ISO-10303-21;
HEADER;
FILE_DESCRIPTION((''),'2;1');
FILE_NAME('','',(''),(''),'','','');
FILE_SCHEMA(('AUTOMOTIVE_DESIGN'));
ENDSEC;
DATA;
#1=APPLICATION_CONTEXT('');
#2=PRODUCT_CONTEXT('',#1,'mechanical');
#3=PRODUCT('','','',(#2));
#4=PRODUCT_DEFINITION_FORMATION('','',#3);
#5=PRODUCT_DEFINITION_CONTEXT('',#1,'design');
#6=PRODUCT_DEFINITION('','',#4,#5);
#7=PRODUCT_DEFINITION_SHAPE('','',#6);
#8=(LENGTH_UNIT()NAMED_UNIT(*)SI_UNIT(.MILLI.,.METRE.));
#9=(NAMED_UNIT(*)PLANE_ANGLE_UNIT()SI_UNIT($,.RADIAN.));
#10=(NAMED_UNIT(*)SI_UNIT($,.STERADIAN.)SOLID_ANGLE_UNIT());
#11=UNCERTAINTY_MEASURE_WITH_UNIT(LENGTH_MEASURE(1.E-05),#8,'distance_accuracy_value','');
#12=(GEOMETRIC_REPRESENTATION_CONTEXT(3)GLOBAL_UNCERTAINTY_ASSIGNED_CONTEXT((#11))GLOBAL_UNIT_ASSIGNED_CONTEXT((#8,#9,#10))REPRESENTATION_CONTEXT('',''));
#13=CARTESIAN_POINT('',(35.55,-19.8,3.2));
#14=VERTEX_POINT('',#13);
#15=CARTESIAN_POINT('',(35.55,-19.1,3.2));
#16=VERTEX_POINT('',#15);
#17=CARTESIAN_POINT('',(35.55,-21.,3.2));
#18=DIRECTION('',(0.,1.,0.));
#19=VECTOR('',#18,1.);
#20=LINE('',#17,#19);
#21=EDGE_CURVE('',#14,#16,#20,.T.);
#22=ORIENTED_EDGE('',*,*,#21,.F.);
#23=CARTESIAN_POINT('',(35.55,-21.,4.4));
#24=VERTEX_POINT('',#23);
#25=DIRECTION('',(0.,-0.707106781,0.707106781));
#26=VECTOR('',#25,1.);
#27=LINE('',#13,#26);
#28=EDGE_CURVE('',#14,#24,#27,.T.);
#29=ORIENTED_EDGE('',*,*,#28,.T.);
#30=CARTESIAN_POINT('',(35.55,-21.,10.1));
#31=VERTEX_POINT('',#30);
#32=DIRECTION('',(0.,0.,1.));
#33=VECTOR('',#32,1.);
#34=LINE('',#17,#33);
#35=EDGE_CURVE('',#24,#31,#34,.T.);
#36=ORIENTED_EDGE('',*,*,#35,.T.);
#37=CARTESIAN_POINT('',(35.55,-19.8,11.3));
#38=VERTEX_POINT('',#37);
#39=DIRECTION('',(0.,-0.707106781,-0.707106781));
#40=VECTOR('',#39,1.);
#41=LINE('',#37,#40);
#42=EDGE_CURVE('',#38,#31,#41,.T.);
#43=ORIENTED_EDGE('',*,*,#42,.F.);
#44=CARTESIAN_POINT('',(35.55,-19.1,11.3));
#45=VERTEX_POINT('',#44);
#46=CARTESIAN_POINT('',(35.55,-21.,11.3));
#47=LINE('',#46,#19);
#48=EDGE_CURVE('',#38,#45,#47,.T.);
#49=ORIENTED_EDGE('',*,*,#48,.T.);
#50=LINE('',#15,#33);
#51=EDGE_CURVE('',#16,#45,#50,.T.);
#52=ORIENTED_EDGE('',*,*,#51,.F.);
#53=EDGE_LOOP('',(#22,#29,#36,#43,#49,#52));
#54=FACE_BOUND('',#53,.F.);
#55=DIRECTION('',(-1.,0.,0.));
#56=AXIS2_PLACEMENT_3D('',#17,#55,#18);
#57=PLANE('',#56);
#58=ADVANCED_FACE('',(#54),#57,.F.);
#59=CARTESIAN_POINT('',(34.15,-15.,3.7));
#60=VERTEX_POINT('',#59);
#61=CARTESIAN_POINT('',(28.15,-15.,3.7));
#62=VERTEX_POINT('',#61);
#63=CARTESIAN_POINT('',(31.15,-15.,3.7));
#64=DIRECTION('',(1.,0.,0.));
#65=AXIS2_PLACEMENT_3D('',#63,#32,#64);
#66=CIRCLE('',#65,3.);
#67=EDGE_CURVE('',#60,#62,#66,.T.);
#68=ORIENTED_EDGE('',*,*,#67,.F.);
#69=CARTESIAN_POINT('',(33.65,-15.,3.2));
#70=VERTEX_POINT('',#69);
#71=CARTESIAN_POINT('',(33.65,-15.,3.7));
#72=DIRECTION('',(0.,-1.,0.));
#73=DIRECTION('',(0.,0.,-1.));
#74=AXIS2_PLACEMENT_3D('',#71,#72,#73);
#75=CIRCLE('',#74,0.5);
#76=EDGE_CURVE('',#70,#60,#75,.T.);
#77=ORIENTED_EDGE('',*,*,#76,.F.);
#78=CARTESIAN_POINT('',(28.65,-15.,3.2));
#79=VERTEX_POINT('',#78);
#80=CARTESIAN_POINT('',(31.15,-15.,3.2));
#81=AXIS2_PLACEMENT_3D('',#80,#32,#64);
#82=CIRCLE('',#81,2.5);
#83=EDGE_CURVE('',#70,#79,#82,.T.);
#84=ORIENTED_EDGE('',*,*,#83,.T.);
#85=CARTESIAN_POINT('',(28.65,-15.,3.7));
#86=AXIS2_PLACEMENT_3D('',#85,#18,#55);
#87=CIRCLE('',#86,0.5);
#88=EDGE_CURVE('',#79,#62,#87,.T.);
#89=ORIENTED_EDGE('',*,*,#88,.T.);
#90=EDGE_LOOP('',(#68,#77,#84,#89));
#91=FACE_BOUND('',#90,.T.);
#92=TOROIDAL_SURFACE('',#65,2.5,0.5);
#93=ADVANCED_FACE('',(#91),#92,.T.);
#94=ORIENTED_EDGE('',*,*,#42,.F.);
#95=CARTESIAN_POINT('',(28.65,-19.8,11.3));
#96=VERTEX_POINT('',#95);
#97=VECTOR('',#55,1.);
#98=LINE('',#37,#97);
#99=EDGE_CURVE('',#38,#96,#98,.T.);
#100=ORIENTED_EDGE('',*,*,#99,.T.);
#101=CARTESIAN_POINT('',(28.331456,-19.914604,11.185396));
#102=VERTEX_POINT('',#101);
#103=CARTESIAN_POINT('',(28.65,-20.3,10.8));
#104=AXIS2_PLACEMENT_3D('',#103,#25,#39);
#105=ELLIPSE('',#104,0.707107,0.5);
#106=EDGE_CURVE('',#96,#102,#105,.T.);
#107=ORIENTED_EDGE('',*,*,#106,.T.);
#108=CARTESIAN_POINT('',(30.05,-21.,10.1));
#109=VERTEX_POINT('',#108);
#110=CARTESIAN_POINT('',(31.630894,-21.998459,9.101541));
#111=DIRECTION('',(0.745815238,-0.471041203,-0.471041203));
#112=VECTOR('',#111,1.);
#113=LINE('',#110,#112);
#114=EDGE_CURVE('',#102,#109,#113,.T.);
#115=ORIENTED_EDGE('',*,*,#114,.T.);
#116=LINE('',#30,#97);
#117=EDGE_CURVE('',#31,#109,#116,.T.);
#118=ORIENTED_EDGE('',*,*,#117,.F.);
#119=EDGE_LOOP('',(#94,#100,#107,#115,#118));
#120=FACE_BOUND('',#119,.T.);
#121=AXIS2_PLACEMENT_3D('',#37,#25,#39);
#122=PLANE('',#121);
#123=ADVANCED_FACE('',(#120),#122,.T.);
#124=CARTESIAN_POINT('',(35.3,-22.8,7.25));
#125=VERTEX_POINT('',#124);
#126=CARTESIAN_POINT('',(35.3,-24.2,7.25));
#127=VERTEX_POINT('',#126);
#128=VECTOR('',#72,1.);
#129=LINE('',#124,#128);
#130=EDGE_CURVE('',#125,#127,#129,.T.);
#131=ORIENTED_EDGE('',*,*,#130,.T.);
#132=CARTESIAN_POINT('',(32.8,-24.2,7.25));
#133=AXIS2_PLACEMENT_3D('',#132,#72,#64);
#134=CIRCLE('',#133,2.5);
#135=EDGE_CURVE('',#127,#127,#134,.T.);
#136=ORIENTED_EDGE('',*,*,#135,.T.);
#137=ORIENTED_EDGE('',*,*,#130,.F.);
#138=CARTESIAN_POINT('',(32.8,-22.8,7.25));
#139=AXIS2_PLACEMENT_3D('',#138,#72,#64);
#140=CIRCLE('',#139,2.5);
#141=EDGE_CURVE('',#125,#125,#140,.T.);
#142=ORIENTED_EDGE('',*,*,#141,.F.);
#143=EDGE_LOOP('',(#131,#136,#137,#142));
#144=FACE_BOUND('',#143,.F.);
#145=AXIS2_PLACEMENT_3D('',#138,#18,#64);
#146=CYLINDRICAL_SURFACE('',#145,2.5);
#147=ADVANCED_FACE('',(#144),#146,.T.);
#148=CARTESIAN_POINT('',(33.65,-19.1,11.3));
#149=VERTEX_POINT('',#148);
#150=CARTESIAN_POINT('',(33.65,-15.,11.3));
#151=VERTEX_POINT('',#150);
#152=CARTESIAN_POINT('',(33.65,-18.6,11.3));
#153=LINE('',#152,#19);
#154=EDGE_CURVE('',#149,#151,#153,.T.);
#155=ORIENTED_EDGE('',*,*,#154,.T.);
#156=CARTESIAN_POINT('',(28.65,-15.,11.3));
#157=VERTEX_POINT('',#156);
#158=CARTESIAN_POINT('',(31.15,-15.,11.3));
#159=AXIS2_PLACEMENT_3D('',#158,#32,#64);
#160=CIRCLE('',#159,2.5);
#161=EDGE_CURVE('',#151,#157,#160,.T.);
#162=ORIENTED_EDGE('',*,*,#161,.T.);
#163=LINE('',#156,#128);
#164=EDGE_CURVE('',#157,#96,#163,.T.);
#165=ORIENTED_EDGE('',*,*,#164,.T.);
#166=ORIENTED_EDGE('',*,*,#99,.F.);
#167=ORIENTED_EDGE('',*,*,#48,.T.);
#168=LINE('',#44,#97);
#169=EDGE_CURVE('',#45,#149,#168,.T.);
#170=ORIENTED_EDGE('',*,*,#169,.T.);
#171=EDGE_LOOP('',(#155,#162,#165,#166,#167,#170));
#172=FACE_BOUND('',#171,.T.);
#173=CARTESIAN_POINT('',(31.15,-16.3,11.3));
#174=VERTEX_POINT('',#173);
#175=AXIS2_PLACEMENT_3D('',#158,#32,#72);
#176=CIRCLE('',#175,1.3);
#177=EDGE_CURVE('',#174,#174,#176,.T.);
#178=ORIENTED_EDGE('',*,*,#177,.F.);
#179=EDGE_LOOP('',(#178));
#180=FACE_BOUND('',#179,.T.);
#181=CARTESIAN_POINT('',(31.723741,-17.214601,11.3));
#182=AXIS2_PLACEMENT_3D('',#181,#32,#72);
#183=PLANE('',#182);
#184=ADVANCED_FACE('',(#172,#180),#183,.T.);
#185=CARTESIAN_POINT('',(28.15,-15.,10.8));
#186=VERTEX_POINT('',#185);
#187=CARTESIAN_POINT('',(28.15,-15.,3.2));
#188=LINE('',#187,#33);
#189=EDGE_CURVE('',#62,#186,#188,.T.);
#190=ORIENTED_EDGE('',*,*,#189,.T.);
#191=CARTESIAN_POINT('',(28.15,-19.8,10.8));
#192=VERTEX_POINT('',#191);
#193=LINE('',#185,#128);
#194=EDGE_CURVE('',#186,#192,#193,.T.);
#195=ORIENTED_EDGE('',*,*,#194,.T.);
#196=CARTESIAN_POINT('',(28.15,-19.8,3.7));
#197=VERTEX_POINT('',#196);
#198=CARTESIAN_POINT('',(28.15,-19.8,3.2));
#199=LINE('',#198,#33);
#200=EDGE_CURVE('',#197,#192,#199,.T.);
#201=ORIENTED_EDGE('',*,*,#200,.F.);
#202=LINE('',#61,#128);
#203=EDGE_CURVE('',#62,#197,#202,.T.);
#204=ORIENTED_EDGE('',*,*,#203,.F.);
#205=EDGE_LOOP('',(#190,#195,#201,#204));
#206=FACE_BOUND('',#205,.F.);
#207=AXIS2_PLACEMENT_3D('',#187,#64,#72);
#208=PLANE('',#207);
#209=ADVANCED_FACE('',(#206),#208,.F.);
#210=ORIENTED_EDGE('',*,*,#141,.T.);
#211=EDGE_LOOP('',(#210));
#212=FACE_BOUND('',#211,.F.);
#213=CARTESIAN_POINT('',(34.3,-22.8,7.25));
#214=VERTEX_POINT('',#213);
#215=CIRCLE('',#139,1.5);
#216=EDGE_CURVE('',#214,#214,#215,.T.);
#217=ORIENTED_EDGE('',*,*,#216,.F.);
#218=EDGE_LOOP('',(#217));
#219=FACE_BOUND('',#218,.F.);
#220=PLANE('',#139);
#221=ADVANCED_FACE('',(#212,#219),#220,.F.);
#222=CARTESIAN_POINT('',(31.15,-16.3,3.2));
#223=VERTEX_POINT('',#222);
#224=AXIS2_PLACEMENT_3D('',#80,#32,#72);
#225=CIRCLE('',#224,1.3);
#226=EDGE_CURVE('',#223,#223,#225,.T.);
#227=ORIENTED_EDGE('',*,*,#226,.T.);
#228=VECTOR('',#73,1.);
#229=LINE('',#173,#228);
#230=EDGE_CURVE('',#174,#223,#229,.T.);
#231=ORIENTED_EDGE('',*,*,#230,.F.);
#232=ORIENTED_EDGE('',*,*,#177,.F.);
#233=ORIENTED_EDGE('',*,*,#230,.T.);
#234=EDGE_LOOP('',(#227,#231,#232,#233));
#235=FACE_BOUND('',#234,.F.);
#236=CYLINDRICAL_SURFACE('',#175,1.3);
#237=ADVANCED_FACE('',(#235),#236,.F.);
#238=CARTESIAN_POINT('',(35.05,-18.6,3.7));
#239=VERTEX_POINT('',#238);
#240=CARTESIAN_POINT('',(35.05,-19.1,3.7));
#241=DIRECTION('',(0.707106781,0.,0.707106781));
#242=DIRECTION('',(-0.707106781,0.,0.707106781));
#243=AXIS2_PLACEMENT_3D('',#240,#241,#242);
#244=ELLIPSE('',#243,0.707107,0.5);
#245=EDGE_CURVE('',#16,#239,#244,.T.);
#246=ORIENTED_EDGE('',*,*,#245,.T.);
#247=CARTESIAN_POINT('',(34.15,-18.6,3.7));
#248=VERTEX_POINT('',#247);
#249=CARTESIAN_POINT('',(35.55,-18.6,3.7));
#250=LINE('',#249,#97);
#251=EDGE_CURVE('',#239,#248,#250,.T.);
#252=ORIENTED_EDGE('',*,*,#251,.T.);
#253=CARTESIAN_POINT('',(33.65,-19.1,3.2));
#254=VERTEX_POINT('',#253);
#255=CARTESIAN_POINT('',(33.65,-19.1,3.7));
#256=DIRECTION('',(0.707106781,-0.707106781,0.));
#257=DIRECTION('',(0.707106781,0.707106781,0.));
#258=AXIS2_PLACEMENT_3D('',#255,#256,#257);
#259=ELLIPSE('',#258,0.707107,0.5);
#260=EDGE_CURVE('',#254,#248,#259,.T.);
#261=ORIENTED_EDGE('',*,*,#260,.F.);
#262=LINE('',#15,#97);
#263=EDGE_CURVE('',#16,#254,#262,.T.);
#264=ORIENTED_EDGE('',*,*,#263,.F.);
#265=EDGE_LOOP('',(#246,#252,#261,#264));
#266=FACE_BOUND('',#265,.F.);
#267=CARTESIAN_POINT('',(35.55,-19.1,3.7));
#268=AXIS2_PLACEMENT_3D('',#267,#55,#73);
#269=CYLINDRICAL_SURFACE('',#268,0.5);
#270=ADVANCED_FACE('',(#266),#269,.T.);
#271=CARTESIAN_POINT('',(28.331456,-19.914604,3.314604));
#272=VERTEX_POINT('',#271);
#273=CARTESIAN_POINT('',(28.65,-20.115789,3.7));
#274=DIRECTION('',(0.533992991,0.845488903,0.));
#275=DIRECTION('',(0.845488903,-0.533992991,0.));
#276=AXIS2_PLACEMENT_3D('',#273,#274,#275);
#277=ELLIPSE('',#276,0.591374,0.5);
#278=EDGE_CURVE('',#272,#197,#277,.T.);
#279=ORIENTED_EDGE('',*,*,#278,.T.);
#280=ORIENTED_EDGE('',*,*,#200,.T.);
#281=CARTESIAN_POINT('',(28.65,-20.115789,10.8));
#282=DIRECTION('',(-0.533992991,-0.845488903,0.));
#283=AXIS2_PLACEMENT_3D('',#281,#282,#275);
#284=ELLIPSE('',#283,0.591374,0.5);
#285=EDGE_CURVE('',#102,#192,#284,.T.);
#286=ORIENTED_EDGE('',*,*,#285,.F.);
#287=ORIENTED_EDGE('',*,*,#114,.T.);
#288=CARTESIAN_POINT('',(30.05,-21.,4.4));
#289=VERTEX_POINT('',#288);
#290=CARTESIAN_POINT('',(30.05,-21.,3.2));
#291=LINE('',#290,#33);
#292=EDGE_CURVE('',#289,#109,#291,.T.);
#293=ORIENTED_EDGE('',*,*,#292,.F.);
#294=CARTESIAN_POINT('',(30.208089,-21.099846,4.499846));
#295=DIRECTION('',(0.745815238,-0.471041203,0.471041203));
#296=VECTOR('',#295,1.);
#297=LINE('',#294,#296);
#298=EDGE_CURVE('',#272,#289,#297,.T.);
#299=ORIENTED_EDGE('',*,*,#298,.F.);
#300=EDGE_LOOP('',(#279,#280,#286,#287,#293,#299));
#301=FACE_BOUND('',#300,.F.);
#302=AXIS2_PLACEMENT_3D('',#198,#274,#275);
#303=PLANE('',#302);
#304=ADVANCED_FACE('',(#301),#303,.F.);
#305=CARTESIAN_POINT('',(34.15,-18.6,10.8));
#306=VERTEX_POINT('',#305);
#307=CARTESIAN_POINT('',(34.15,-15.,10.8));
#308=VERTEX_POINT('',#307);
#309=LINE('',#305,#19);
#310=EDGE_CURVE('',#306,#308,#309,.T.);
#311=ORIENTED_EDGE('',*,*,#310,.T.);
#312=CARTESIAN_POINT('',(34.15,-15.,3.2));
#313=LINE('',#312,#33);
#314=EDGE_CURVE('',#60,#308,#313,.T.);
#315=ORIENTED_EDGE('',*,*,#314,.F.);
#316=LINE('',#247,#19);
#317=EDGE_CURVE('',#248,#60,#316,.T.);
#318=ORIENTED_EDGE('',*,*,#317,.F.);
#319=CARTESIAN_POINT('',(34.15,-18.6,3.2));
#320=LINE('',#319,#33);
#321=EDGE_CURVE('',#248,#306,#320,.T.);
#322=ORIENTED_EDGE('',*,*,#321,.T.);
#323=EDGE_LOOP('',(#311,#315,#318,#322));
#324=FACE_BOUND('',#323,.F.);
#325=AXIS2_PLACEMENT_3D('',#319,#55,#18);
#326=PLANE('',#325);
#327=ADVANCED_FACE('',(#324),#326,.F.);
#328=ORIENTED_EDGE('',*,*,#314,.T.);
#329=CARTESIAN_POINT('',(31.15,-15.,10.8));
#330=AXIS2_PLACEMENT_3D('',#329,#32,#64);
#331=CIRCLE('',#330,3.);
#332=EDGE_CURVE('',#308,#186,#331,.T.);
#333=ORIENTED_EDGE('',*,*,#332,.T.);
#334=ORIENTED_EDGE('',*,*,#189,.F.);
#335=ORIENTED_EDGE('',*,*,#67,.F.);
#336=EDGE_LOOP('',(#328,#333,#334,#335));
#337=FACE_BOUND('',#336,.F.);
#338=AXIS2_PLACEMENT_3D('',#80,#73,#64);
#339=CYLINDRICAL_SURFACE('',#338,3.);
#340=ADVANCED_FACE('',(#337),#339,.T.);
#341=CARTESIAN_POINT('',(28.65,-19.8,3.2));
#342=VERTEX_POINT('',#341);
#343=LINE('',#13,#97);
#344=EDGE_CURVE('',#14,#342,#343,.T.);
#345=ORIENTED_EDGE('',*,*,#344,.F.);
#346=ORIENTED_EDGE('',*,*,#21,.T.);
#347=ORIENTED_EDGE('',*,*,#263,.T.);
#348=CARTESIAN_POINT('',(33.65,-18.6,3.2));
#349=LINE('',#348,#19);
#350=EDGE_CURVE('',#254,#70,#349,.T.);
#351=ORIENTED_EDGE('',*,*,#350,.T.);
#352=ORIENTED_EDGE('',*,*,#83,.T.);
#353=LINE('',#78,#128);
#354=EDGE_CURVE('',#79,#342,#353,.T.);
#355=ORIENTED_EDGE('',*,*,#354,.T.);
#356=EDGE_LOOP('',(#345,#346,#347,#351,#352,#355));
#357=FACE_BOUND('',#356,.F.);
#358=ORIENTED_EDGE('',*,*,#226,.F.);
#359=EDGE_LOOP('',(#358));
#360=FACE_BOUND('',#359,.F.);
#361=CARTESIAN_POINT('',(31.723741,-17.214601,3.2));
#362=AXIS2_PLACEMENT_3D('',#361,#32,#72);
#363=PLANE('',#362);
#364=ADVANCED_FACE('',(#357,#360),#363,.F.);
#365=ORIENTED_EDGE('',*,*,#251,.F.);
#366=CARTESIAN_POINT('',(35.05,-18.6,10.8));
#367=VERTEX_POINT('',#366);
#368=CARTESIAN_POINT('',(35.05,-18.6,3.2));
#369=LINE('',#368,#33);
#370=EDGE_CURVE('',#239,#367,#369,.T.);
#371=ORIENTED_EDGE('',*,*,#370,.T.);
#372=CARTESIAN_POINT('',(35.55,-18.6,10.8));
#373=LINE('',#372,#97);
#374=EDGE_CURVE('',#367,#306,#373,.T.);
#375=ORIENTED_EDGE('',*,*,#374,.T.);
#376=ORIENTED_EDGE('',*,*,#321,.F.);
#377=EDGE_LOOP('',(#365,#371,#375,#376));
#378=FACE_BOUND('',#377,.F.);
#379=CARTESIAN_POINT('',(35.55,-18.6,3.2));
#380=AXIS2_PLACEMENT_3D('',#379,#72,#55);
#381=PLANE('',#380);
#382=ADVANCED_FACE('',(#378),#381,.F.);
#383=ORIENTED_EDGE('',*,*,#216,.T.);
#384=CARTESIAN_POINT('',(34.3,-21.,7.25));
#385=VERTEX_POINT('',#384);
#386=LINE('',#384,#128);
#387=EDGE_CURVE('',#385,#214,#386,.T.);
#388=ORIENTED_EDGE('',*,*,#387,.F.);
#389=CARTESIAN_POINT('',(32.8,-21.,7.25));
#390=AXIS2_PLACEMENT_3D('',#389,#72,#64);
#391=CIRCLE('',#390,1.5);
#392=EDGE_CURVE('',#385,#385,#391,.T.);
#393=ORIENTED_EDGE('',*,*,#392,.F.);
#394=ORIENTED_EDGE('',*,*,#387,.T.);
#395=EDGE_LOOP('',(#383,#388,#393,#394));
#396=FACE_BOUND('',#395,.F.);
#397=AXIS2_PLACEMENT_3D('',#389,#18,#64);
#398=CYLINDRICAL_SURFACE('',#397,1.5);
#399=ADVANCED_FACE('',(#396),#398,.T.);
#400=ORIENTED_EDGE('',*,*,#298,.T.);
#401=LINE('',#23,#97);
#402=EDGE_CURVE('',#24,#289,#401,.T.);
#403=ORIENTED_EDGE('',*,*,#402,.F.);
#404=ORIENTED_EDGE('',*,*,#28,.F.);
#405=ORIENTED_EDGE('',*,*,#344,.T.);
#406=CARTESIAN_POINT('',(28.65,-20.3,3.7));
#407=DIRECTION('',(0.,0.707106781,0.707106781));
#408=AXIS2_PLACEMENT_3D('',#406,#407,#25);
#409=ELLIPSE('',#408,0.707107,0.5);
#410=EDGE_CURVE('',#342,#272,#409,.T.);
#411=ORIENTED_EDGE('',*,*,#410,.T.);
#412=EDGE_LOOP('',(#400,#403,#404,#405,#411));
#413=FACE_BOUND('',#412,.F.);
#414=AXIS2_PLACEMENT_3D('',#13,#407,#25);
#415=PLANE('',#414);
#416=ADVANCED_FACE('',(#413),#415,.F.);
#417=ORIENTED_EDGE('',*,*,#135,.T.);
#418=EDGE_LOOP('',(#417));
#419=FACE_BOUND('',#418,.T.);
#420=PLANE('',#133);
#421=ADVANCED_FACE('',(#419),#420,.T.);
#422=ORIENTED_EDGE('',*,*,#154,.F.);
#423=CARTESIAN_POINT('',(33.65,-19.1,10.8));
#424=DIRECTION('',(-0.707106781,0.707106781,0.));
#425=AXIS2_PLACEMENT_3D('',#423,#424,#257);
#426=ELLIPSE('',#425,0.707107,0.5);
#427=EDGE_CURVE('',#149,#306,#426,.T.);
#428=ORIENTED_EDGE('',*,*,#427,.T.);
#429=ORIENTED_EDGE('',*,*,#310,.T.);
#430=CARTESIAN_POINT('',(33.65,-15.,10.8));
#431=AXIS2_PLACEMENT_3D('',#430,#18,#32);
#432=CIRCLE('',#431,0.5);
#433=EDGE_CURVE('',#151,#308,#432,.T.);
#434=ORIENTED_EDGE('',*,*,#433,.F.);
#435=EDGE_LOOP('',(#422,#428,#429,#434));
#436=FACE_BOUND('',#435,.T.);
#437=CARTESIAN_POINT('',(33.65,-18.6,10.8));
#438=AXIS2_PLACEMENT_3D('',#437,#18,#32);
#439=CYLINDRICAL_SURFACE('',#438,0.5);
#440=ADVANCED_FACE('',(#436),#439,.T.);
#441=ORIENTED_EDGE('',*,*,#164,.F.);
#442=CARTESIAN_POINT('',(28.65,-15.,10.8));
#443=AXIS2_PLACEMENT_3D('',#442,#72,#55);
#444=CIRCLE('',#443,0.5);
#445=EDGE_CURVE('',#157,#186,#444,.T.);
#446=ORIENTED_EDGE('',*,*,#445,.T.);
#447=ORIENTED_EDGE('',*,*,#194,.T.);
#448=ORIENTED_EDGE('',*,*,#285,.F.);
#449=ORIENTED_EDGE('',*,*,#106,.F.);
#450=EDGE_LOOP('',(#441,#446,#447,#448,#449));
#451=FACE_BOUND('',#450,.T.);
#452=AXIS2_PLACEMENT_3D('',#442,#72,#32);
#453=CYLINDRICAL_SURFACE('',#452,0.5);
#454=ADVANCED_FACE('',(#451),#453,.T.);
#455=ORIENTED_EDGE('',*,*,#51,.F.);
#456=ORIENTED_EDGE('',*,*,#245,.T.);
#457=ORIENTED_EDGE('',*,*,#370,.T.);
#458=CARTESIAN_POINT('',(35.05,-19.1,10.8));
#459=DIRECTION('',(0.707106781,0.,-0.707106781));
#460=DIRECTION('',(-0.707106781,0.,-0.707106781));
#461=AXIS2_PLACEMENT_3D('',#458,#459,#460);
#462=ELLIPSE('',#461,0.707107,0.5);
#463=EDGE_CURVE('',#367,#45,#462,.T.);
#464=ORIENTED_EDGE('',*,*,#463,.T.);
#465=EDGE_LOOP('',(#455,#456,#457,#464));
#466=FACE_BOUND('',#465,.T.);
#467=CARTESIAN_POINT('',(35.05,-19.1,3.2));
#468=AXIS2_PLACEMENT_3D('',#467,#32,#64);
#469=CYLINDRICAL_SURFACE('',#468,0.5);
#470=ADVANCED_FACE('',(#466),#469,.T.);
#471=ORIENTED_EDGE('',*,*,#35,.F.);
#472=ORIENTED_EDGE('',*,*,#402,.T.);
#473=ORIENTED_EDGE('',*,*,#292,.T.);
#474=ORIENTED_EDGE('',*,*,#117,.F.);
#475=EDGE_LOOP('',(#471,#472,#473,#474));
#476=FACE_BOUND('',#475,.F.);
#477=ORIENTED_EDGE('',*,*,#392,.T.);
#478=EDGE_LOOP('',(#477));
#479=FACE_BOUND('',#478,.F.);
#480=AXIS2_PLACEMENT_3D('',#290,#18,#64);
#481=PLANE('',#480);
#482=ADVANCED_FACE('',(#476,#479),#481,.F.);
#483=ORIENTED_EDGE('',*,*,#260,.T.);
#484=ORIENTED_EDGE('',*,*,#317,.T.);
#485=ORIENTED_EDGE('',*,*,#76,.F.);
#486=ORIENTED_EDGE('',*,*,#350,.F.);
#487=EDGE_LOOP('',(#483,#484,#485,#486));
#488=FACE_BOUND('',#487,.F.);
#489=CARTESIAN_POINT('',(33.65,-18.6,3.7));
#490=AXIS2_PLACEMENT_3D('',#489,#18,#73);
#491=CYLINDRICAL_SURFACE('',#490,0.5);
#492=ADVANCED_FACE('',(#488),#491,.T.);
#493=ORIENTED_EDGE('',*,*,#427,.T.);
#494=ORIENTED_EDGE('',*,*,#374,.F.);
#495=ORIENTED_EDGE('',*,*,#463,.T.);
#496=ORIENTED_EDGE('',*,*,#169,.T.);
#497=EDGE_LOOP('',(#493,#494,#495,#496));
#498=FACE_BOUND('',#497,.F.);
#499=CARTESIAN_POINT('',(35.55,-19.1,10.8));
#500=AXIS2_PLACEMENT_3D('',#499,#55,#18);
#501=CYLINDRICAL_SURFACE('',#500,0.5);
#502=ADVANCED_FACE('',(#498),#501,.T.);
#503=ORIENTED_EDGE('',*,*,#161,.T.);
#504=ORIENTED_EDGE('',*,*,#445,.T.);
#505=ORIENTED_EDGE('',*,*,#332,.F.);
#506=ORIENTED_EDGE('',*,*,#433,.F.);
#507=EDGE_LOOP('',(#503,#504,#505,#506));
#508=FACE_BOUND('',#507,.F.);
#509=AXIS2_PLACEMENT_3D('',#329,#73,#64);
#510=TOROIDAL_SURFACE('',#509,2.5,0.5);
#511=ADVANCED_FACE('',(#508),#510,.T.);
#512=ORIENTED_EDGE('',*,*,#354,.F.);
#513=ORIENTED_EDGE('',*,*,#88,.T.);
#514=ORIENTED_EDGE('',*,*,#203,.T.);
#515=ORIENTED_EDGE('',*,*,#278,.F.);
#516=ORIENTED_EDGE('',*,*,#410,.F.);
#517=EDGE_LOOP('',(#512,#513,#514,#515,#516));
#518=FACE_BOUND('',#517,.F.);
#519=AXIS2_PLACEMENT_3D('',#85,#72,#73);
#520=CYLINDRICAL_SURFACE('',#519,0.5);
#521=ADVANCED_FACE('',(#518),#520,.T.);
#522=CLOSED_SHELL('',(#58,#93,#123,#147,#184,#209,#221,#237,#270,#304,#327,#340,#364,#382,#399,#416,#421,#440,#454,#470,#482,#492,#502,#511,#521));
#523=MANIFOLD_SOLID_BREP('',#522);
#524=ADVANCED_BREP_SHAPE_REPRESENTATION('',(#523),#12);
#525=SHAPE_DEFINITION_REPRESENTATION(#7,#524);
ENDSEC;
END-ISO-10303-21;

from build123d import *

# Parameters (mm, degrees)
PAD039_DEPTH            = 8.1
SKETCH076_R             = 1.3
POCKET042_DEPTH         = 8.1
POCKET043_DEPTH         = 8
SKETCH078_R             = 1.5
PAD040_DEPTH            = 1.8
SKETCH079_R             = 2.5
PAD041_DEPTH            = 1.4
FILLET024_R             = 0.5
BODY008_PLACEMENT_ANGLE = 270


with BuildPart() as part:
    # Sketch075 → Pad039 (new body)
    with BuildSketch(Plane.XY):
        with BuildLine():
            ThreePointArc((0, 3), (-3, 0), (0, -3))
            Line((0, -3), (4.8, -3))
            Line((4.8, -3), (6, -1.1))
            Line((6, -1.1), (6, 4.4))
            Line((6, 4.4), (3.6, 4.4))
            Line((3.6, 4.4), (3.6, 3))
            Line((3.6, 3), (0, 3))
        make_face()
    extrude(amount=PAD039_DEPTH)

    # Sketch076 (on DatumPlane) → Pocket042 (cut)
    with BuildSketch(Plane.XY.offset(8.1)):
        Circle(SKETCH076_R)
    extrude(amount=-POCKET042_DEPTH, mode=Mode.SUBTRACT)

    # Sketch077 (on DatumPlane) → Pocket043 (cut)
    with BuildSketch(Plane(origin=(0, 4.4, 0), x_dir=(-1, 0, 0), z_dir=(0, 1, 0))):
        Polygon((-4.8, 0), (-6, 1.2), (-6, 0), align=None)
        Polygon((-4.8, 8.1), (-6, 6.9), (-6, 8.1), align=None)
    extrude(amount=-POCKET043_DEPTH, mode=Mode.SUBTRACT)

    # Sketch078 (on DatumPlane) → Pad040 (join)
    with BuildSketch(Plane.YZ.offset(6)):
        with Locations((1.65, 4.05)):
            Circle(SKETCH078_R)
    extrude(amount=PAD040_DEPTH)

    # Sketch079 (on DatumPlane) → Pad041 (join)
    with BuildSketch(Plane.YZ.offset(7.8)):
        with Locations((1.65, 4.05)):
            Circle(SKETCH079_R)
    extrude(amount=PAD041_DEPTH)

    # Fillet024
    fillet024_edges = [part.edges().sort_by_distance(p)[0] for p in [
        (1.8, 3, 8.1),
        (3.6, 3.7, 8.1),
        (3.6, 4.4, 4.05),
        (-3, 0, 8.1),
        (-3, 0, 0),
        (1.8, 3, 0),
        (3.6, 3.7, 0),
        (2.4, -3, 0),
        (2.4, -3, 8.1),
    ]]
    fillet(fillet024_edges, radius=FILLET024_R)


with BuildPart() as part_1:
    # Body008 placement: moved
    add(part.part.moved(Location((31.15, -15, 3.2))).rotate(Axis((31.15, -15, 3.2), (0, 0, 1)), BODY008_PLACEMENT_ANGLE))


solid = part_1.part
